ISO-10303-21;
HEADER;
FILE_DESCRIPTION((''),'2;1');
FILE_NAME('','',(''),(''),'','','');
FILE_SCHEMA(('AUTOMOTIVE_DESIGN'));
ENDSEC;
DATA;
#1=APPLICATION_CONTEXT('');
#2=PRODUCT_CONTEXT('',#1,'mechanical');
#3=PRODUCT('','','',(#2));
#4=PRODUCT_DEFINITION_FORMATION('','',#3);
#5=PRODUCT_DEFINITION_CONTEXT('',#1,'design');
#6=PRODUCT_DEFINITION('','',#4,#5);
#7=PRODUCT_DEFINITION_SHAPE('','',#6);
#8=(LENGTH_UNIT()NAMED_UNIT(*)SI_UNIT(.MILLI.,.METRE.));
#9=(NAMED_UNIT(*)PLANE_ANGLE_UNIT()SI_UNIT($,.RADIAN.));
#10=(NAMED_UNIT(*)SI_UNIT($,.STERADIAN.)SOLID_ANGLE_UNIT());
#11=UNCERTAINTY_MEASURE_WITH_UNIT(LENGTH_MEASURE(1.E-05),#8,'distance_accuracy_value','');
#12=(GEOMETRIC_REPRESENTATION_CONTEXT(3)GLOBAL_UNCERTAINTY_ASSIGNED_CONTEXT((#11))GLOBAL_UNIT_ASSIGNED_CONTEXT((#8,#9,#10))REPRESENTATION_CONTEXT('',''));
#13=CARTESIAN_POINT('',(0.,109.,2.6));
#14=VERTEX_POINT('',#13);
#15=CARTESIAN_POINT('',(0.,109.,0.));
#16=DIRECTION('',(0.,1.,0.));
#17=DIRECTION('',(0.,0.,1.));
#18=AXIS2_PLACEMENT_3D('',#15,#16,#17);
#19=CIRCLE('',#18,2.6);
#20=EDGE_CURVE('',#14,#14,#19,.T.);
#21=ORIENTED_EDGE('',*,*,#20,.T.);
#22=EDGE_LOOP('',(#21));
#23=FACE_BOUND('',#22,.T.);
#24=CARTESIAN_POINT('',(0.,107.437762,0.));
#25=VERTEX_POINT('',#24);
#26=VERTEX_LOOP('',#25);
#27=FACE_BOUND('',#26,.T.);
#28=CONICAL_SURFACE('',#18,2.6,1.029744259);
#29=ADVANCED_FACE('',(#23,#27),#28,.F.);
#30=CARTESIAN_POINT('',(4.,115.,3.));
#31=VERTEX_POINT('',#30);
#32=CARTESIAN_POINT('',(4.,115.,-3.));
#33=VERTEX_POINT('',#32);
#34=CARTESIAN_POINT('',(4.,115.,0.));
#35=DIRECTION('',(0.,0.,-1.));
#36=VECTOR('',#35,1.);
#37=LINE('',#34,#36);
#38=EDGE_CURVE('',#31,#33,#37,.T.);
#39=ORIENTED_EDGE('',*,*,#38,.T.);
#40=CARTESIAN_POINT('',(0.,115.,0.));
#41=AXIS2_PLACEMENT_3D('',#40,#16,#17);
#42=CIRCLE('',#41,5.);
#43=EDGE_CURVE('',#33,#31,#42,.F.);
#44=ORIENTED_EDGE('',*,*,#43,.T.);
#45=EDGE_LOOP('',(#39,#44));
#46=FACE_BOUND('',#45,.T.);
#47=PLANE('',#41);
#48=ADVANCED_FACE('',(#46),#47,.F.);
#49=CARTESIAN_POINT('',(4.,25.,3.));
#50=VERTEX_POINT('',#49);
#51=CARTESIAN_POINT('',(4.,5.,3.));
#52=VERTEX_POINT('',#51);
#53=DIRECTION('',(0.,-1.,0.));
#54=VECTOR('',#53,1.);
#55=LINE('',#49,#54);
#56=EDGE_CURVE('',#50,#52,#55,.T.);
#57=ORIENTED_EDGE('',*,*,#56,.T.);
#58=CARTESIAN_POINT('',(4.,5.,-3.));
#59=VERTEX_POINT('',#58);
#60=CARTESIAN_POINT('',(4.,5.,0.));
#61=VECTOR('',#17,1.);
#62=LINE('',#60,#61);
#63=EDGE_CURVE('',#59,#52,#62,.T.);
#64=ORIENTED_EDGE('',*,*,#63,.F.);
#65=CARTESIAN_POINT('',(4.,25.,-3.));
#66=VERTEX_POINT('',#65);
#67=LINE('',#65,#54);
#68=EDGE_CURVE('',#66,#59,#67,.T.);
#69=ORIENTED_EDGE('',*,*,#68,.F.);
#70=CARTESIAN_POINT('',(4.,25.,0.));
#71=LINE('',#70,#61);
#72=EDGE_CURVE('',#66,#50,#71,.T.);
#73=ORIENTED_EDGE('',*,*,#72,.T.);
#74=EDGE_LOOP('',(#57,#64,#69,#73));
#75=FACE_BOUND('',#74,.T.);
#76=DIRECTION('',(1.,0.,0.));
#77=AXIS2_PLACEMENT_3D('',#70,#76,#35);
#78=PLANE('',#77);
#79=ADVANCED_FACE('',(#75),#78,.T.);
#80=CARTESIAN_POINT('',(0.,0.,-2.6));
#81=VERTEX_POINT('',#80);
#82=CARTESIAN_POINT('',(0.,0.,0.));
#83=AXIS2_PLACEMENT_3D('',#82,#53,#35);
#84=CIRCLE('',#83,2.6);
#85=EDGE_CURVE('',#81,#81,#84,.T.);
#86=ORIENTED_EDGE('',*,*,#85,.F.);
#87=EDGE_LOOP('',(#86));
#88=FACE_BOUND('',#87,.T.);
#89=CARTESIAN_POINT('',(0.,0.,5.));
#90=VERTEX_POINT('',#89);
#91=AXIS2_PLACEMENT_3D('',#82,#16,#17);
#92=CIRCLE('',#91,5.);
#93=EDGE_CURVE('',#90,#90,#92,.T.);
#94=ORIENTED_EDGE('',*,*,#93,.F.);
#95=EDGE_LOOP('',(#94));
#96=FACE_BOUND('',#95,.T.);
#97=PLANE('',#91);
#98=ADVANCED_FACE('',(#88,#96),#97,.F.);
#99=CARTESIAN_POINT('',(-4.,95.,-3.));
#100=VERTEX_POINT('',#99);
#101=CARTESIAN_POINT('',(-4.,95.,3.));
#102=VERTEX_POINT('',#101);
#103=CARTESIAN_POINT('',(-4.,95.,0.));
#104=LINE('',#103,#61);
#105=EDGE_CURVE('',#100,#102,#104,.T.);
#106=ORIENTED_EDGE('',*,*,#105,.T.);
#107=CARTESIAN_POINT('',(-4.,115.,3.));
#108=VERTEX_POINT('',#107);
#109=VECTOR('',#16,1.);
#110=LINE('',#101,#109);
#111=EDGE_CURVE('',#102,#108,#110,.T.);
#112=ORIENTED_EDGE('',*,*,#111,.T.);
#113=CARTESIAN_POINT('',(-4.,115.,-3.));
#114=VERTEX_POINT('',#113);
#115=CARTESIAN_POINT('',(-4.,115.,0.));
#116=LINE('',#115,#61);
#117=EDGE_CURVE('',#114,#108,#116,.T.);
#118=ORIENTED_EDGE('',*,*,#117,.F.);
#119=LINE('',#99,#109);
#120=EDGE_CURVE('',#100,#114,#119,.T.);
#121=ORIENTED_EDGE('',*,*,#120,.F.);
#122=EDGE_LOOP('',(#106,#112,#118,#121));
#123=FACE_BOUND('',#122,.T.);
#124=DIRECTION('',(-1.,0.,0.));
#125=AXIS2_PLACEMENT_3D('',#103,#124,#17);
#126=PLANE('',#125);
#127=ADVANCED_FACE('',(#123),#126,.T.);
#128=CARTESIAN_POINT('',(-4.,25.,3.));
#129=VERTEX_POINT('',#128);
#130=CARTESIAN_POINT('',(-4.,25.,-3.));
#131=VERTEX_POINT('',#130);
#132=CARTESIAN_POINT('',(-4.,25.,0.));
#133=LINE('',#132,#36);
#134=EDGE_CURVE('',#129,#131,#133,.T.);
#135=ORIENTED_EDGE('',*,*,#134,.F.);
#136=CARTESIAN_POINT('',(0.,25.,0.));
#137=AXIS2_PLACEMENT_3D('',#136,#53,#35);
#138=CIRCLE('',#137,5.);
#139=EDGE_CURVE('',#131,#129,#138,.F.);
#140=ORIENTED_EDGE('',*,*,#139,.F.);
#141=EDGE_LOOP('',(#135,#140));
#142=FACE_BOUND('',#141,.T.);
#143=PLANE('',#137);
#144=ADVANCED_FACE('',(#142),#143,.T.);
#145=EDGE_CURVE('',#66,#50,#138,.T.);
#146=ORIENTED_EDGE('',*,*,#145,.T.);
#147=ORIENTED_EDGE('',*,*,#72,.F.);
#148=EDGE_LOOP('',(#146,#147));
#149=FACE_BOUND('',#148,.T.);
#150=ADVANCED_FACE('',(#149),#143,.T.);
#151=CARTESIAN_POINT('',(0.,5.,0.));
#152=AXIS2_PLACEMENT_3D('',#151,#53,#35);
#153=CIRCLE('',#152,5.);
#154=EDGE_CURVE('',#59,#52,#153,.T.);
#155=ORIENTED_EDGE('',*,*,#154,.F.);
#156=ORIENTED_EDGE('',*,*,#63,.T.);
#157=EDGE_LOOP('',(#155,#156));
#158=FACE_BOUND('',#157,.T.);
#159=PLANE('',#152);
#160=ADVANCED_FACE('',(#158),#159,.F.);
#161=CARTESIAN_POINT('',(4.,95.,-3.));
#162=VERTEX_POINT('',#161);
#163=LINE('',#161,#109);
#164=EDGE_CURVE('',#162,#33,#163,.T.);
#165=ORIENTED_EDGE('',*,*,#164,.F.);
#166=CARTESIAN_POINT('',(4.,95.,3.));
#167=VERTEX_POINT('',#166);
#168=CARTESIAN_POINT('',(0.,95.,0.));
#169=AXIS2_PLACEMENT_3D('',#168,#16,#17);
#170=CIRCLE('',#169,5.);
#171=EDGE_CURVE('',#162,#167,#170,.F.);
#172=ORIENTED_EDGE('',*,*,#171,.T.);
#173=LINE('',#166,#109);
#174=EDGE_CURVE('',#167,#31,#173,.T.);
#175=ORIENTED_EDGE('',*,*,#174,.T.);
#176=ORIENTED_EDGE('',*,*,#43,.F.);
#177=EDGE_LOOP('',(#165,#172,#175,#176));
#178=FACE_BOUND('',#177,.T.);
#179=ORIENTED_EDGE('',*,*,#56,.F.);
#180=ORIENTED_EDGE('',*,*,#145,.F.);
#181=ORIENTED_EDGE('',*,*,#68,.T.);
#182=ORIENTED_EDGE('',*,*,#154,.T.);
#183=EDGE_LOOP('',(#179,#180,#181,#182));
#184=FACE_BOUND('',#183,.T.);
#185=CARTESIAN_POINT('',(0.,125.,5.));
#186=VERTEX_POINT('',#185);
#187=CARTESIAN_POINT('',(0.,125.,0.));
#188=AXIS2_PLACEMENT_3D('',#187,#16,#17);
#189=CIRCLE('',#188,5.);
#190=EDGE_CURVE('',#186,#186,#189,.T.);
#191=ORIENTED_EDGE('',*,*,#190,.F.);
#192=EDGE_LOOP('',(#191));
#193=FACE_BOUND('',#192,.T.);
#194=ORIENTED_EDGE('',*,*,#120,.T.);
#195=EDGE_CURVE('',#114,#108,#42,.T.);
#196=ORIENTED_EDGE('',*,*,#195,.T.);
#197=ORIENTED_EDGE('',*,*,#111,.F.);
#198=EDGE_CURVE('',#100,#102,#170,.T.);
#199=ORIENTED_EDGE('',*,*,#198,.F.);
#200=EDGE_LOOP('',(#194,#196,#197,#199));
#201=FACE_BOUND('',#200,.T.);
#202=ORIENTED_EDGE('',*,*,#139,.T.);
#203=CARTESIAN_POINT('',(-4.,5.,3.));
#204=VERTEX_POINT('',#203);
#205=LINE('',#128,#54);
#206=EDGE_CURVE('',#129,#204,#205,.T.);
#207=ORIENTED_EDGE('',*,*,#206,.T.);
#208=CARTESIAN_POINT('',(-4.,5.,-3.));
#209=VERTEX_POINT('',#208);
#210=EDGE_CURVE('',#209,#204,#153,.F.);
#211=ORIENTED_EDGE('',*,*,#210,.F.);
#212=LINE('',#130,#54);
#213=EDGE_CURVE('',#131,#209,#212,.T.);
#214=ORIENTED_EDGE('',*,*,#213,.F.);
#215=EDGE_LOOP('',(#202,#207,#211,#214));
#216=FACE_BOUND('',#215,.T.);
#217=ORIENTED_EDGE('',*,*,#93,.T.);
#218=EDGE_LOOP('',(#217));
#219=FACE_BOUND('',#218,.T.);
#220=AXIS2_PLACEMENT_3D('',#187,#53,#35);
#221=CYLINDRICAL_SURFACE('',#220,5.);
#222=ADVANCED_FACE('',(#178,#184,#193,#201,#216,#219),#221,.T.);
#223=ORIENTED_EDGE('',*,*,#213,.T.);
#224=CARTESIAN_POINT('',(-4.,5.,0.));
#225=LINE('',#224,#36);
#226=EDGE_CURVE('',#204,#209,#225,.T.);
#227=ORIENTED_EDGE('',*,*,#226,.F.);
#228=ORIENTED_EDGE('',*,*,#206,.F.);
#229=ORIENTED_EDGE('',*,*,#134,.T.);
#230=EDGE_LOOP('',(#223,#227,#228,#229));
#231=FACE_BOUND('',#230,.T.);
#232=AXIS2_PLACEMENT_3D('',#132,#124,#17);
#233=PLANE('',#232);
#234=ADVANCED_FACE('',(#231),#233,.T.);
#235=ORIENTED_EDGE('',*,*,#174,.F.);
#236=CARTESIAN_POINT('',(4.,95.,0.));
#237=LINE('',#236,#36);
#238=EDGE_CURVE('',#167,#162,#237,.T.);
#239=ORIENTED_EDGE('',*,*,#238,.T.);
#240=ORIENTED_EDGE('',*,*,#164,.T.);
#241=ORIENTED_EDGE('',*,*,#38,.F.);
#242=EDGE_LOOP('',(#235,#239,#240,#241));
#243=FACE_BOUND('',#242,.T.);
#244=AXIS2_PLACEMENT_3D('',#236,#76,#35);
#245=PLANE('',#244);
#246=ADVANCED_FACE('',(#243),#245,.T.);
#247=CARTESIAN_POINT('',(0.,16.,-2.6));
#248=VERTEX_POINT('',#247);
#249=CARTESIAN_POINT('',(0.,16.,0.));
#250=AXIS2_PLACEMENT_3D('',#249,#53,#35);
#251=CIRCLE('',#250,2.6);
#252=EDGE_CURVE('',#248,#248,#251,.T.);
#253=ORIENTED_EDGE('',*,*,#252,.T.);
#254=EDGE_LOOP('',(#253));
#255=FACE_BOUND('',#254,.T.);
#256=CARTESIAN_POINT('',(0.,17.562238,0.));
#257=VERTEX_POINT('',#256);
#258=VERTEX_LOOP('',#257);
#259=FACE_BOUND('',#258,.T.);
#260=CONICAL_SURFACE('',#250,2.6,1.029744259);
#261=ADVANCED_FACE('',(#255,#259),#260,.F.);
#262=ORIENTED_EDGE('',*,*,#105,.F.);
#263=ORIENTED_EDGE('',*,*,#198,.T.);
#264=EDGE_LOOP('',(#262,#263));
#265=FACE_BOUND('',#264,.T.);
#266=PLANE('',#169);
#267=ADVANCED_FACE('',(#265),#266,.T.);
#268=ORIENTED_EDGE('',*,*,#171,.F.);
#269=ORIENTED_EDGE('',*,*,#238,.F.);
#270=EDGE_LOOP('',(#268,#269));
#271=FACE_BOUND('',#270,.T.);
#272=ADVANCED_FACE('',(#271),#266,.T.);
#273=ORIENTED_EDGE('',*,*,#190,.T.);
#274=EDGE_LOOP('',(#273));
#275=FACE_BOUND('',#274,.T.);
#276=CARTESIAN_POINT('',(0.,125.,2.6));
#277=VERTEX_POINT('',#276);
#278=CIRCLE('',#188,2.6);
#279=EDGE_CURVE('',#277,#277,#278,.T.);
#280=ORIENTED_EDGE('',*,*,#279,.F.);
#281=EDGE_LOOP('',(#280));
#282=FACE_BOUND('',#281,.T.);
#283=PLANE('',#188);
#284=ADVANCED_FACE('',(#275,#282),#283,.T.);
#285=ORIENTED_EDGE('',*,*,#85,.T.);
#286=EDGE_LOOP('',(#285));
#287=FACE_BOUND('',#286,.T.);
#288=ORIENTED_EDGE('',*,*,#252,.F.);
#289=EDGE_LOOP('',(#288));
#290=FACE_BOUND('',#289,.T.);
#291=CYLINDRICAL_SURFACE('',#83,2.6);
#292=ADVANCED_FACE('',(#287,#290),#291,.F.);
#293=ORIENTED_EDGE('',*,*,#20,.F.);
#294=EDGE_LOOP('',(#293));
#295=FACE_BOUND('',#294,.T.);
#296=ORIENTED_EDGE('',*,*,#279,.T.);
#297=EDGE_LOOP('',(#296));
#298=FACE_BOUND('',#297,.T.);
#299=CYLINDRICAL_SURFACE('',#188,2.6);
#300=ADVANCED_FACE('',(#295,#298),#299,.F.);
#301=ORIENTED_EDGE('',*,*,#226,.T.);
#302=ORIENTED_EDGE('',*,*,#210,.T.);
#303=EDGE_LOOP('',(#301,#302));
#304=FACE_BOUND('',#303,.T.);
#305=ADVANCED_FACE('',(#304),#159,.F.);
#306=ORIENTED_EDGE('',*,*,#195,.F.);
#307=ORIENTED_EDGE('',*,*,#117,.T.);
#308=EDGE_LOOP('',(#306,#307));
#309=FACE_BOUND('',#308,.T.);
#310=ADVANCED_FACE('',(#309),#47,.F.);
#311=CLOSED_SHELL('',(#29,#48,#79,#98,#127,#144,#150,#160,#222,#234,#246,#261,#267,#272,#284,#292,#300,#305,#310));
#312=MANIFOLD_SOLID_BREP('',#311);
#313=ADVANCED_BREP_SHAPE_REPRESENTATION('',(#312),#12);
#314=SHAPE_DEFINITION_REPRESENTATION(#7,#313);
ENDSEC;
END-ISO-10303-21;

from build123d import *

# Parameters (mm, degrees)
SKETCH_1_R          = 5
EXTRUDE_1_DEPTH     = 125
M5X0_8_D            = 5.2
M5X0_8_DEPTH        = 16
M5X0_8_TIP          = 1.562237609
M5X0_8_2_D          = 5.2
M5X0_8_2_DEPTH      = 16
M5X0_8_2_TIP        = 1.562237609
CUT_EXTRUDE_START   = -20
CUT_EXTRUDE_5_DEPTH = 20
CUT_EXTRUDE_6_DEPTH = 20


with BuildPart() as part:
    # ｽｹｯﾁ1 → ﾎﾞｽ - 押し出し1 (new body)
    with BuildSketch(Plane(origin=(0, 0, 0), x_dir=(1, 0, 0), z_dir=(0, 1, 0))):
        with Locations(Location((0, 0, 0), (0, 0, 270))):
            Circle(SKETCH_1_R)
    extrude(amount=EXTRUDE_1_DEPTH)

    # M5x0.8
    with Locations(Plane.ZX.offset(125)):
        with Locations((0, 0)):
            Hole(M5X0_8_D / 2, depth=M5X0_8_DEPTH)
            with Locations((0, 0, -(M5X0_8_DEPTH + M5X0_8_TIP / 2))):  # 118° drill point
                Cone(0, M5X0_8_D / 2, M5X0_8_TIP, mode=Mode.SUBTRACT)

    # M5x0.8 2
    with Locations(Plane(origin=(0, 0, 0), x_dir=(0, 0, -1), z_dir=(0, -1, 0))):
        with Locations((0, 0)):
            Hole(M5X0_8_2_D / 2, depth=M5X0_8_2_DEPTH)
            with Locations((0, 0, -(M5X0_8_2_DEPTH + M5X0_8_2_TIP / 2))):  # 118° drill point
                Cone(0, M5X0_8_2_D / 2, M5X0_8_2_TIP, mode=Mode.SUBTRACT)

    # ｽｹｯﾁ8 → ｶｯﾄ - 押し出し5 (cut)
    with BuildSketch(Plane(origin=(0, 115, 0), x_dir=(1, 0, 0), z_dir=(0, 1, 0)).offset(CUT_EXTRUDE_START)):
        with BuildLine():
            ThreePointArc((4, 3), (5, 0), (4, -3))
            Line((4, -3), (4, 3))
        make_face()
        with BuildLine():
            Line((-4, -2.309397765), (-4, 0))
            Line((-4, 0), (-5, 0))
            ThreePointArc((-5, 0), (-4.74341649, -1.58113883), (-4, -3))
            Line((-4, -3), (-4, -2.309397765))
        make_face()
        with BuildLine():
            Line((-5, 0), (-4, 0))
            Line((-4, 0), (-4, 3))
            ThreePointArc((-4, 3), (-4.74341649, 1.58113883), (-5, 0))
        make_face()
    extrude(amount=CUT_EXTRUDE_5_DEPTH, mode=Mode.SUBTRACT)

    # ｽｹｯﾁ9 → ｶｯﾄ - 押し出し6 (cut)
    with BuildSketch(Plane(origin=(0, 5, 0), x_dir=(-1, 0, 0), z_dir=(0, -1, 0))):
        with BuildLine():
            Line((-4, 3), (-4, -3))
            ThreePointArc((-4, -3), (-5, 0), (-4, 3))
        make_face()
        with BuildLine():
            Line((4, -3), (4, 3))
            ThreePointArc((4, 3), (5, 0), (4, -3))
        make_face()
    extrude(amount=-CUT_EXTRUDE_6_DEPTH, mode=Mode.SUBTRACT)


solid = part.part
